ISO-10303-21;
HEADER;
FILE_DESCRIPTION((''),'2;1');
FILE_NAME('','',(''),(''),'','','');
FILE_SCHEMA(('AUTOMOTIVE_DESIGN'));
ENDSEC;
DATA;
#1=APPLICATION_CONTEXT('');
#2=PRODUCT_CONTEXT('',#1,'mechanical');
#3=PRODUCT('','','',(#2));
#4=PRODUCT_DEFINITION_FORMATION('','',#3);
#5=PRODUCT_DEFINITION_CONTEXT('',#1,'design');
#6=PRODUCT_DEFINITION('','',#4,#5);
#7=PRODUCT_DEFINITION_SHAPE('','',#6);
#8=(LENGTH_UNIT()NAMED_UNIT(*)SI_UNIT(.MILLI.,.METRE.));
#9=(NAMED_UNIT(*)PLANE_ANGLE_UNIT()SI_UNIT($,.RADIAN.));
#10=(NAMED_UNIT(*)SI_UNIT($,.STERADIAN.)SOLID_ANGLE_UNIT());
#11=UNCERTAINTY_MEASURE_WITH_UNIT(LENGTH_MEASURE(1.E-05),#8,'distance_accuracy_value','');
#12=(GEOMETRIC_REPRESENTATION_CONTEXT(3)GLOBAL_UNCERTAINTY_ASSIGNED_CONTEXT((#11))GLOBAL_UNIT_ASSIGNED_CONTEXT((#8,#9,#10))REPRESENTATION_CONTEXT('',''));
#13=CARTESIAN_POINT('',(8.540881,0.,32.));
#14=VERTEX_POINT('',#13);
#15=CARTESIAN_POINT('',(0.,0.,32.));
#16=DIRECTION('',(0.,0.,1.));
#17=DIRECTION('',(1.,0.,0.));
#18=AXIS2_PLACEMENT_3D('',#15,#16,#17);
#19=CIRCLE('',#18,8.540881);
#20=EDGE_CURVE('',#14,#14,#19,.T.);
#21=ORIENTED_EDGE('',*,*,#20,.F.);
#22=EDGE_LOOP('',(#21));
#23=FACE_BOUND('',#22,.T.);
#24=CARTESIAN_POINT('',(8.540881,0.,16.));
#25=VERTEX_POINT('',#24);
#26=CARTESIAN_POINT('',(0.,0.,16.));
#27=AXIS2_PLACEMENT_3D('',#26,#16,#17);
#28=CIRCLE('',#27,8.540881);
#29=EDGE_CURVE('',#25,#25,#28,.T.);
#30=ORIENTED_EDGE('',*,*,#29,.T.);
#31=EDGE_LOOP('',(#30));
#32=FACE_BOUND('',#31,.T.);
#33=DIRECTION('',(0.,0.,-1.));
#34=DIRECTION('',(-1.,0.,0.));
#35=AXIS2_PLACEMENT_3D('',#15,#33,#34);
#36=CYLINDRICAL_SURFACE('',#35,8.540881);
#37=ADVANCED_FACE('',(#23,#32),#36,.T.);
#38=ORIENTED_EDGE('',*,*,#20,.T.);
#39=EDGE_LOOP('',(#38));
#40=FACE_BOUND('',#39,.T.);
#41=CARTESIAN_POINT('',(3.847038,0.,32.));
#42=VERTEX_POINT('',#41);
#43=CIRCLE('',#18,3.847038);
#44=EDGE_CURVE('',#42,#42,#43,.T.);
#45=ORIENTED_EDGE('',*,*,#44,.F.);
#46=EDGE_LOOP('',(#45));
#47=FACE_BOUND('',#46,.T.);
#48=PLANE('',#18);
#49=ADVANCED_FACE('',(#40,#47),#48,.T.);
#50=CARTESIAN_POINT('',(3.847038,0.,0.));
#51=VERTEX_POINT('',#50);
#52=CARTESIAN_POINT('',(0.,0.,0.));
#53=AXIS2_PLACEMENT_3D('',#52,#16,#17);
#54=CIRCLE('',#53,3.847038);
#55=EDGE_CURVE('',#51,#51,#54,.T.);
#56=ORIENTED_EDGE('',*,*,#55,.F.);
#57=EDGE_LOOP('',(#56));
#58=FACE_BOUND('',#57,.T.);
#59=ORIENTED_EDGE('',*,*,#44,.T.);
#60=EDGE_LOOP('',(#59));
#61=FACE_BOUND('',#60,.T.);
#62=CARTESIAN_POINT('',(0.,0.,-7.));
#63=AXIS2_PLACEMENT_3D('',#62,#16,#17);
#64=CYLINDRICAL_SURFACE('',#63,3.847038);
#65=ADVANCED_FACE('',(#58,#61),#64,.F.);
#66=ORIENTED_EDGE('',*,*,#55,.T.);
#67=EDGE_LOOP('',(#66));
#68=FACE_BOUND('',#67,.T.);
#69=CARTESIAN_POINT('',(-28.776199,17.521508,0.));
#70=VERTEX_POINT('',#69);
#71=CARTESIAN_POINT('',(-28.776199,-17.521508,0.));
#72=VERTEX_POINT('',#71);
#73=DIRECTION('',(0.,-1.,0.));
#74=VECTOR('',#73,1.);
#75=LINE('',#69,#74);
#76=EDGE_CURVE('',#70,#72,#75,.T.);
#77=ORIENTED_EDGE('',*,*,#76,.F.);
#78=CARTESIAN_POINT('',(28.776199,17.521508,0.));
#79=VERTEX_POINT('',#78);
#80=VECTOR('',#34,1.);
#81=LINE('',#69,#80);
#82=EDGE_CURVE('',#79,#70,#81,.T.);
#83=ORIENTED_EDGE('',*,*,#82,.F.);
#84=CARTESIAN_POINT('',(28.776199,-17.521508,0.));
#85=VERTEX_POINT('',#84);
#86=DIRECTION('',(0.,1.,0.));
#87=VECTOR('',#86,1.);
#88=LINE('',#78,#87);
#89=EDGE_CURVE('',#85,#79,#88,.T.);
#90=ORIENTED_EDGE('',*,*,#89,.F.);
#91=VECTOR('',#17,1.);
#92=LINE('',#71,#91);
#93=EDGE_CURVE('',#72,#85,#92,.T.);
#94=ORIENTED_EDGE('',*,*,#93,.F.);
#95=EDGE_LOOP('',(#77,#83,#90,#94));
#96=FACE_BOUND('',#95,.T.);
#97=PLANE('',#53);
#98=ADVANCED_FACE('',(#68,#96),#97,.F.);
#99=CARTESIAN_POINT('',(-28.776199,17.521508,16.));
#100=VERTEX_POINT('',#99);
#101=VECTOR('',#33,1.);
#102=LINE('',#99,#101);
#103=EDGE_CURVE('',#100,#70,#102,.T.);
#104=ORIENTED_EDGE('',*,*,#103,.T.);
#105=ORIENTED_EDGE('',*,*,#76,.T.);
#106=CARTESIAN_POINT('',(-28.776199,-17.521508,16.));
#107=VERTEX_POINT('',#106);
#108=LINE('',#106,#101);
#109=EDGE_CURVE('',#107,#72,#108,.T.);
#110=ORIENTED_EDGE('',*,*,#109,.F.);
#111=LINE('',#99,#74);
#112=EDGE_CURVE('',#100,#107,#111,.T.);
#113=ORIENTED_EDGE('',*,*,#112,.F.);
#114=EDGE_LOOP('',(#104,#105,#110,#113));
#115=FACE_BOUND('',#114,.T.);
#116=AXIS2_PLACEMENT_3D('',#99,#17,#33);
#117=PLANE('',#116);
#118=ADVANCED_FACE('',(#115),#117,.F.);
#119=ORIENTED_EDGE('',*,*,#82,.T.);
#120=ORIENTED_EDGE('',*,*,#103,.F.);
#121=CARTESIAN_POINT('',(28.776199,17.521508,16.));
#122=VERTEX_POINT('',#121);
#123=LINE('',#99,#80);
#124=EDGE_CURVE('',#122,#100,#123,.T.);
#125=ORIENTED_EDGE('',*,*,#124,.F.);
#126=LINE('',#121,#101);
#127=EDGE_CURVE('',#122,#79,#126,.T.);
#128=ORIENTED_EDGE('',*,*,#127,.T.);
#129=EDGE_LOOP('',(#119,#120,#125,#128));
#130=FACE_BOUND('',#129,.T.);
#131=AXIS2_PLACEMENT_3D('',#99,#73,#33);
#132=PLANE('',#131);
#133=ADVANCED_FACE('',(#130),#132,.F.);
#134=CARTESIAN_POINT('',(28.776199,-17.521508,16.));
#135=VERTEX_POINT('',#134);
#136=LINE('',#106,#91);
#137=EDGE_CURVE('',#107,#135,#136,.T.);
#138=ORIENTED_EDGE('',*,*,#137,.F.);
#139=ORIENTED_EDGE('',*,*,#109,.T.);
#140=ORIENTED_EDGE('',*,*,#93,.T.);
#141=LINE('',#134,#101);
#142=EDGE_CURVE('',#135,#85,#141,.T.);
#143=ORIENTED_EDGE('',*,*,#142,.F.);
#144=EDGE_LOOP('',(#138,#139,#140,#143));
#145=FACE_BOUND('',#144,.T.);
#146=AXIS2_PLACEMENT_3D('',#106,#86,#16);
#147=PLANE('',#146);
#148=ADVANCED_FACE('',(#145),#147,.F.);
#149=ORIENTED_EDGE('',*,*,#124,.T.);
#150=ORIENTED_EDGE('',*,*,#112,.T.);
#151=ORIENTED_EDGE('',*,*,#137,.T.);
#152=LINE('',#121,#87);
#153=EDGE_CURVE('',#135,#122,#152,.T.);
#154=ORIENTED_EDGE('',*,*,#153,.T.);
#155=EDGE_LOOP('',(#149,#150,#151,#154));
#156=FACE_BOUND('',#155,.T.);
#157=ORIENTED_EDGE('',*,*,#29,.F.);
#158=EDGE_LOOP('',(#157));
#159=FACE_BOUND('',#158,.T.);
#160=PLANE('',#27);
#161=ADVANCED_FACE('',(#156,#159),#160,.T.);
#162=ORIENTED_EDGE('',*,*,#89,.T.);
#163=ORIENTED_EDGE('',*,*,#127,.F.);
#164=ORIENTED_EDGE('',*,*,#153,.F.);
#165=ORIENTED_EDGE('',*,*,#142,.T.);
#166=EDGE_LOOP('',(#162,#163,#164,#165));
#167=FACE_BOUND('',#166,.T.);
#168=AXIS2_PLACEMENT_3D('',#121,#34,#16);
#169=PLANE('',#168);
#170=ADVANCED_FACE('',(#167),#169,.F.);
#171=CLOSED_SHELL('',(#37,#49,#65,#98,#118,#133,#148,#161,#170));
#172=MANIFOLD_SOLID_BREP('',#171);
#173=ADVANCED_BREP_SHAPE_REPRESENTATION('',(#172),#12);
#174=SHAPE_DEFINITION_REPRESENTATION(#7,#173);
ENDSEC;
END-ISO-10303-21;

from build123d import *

# Parameters (mm, degrees)
SKETCH1_W           = 57.552398856
SKETCH1_H           = 35.043016192
BOSS_EXTRUDE1_DEPTH = 16
SKETCH2_R           = 8.540880827
BOSS_EXTRUDE2_DEPTH = 16
SKETCH3_R           = 3.847038177
CUT_EXTRUDE1_DEPTH  = 39


with BuildPart() as part:
    # Sketch1 → Boss-Extrude1 (new body)
    with BuildSketch(Plane.XY):
        Rectangle(SKETCH1_W, SKETCH1_H)
    extrude(amount=BOSS_EXTRUDE1_DEPTH)

    # Sketch2 → Boss-Extrude2 (add)
    with BuildSketch(Plane.XY.offset(16)):
        Circle(SKETCH2_R)
    extrude(amount=BOSS_EXTRUDE2_DEPTH)

    # Sketch3 → Cut-Extrude1 (cut)
    with BuildSketch(Plane.XY.offset(32)):
        Circle(SKETCH3_R)
    extrude(amount=-CUT_EXTRUDE1_DEPTH, mode=Mode.SUBTRACT)


solid = part.part
